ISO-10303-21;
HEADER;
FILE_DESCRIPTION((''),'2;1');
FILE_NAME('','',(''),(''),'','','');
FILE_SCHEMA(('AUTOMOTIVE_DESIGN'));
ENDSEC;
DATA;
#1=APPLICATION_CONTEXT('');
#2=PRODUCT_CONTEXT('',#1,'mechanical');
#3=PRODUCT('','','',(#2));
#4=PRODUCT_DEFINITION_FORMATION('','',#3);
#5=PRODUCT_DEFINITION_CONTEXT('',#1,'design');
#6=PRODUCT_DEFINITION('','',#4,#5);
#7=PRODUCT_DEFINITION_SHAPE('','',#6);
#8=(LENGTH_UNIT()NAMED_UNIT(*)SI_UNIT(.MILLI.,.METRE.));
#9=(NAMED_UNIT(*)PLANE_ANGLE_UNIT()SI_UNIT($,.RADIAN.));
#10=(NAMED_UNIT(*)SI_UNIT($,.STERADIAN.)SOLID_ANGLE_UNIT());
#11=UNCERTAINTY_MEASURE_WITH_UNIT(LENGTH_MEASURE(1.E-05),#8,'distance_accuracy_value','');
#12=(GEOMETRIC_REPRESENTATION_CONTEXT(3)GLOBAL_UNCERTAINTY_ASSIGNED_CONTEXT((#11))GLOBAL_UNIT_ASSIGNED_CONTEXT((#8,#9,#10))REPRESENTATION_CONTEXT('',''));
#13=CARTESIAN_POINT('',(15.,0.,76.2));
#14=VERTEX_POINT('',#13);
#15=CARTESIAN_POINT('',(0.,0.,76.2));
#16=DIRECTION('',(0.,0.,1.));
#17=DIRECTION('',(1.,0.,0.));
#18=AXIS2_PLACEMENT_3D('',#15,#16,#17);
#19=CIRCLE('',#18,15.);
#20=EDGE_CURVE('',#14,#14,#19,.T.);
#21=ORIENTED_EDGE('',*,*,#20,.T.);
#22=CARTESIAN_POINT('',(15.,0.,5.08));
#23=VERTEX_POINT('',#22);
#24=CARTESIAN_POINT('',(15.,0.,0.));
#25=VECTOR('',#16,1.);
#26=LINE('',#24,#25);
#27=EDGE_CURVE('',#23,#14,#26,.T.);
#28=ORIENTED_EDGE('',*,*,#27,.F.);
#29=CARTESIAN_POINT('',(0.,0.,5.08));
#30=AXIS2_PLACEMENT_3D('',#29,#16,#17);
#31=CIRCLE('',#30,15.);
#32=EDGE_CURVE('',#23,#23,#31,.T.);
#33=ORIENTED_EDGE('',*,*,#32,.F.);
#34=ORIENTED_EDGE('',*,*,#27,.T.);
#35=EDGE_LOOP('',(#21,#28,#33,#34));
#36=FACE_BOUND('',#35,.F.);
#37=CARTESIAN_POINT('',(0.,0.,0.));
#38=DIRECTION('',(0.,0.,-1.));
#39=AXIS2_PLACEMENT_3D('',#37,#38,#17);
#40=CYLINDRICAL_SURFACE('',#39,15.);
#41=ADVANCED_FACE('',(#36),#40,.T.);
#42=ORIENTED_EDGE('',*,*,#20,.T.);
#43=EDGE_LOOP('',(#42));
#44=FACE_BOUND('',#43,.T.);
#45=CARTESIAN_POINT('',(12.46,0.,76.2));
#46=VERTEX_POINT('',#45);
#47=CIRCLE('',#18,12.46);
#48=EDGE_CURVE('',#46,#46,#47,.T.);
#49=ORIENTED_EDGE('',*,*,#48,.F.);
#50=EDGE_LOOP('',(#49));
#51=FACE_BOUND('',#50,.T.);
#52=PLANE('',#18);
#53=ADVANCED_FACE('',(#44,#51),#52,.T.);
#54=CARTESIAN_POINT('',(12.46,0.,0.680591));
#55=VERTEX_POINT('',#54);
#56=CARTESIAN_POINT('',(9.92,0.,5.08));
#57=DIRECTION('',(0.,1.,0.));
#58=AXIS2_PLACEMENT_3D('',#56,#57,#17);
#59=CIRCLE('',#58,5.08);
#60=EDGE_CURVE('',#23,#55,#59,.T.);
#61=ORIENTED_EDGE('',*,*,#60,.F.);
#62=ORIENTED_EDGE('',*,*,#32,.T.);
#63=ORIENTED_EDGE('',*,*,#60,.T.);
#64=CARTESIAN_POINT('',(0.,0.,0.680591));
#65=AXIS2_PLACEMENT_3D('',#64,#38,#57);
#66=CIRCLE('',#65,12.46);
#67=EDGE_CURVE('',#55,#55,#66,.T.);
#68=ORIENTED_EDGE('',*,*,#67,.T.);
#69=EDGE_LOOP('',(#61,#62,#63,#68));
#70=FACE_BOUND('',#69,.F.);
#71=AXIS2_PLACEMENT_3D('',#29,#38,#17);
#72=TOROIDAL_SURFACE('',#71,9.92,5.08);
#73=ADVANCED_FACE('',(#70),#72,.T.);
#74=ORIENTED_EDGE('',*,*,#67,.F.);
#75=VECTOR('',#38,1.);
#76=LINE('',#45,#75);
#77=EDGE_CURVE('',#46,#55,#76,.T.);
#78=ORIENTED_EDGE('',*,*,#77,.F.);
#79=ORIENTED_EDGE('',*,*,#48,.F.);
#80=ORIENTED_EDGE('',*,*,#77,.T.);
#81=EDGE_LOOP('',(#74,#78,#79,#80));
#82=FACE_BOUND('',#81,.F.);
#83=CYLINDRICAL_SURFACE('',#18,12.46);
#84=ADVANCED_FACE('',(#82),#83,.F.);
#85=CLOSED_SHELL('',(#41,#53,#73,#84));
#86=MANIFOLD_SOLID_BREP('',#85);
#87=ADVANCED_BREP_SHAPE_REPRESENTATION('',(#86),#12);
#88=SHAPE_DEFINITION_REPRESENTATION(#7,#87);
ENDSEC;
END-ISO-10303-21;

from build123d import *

# Parameters (mm, degrees)
F0_R     = 15
F1_DEPTH = 76.2
F2_R     = 5.08
F3_R     = 12.46
F4_DEPTH = 76.201


with BuildPart() as f1:
    # F0 (on Top) → F1 (new body)
    with BuildSketch(Plane.XY):
        Circle(F0_R)
    extrude(amount=F1_DEPTH)

    # F2
    f2_edges = [f1.edges().sort_by_distance(p)[0] for p in [
        (-15, 0, 0),
    ]]
    fillet(f2_edges, radius=F2_R)

    # F3 (on face) → F4 (cut, through all)
    with BuildSketch(Plane.XY.offset(76.2)):
        Circle(F3_R)
    extrude(amount=-F4_DEPTH, mode=Mode.SUBTRACT)


solid = f1.part
